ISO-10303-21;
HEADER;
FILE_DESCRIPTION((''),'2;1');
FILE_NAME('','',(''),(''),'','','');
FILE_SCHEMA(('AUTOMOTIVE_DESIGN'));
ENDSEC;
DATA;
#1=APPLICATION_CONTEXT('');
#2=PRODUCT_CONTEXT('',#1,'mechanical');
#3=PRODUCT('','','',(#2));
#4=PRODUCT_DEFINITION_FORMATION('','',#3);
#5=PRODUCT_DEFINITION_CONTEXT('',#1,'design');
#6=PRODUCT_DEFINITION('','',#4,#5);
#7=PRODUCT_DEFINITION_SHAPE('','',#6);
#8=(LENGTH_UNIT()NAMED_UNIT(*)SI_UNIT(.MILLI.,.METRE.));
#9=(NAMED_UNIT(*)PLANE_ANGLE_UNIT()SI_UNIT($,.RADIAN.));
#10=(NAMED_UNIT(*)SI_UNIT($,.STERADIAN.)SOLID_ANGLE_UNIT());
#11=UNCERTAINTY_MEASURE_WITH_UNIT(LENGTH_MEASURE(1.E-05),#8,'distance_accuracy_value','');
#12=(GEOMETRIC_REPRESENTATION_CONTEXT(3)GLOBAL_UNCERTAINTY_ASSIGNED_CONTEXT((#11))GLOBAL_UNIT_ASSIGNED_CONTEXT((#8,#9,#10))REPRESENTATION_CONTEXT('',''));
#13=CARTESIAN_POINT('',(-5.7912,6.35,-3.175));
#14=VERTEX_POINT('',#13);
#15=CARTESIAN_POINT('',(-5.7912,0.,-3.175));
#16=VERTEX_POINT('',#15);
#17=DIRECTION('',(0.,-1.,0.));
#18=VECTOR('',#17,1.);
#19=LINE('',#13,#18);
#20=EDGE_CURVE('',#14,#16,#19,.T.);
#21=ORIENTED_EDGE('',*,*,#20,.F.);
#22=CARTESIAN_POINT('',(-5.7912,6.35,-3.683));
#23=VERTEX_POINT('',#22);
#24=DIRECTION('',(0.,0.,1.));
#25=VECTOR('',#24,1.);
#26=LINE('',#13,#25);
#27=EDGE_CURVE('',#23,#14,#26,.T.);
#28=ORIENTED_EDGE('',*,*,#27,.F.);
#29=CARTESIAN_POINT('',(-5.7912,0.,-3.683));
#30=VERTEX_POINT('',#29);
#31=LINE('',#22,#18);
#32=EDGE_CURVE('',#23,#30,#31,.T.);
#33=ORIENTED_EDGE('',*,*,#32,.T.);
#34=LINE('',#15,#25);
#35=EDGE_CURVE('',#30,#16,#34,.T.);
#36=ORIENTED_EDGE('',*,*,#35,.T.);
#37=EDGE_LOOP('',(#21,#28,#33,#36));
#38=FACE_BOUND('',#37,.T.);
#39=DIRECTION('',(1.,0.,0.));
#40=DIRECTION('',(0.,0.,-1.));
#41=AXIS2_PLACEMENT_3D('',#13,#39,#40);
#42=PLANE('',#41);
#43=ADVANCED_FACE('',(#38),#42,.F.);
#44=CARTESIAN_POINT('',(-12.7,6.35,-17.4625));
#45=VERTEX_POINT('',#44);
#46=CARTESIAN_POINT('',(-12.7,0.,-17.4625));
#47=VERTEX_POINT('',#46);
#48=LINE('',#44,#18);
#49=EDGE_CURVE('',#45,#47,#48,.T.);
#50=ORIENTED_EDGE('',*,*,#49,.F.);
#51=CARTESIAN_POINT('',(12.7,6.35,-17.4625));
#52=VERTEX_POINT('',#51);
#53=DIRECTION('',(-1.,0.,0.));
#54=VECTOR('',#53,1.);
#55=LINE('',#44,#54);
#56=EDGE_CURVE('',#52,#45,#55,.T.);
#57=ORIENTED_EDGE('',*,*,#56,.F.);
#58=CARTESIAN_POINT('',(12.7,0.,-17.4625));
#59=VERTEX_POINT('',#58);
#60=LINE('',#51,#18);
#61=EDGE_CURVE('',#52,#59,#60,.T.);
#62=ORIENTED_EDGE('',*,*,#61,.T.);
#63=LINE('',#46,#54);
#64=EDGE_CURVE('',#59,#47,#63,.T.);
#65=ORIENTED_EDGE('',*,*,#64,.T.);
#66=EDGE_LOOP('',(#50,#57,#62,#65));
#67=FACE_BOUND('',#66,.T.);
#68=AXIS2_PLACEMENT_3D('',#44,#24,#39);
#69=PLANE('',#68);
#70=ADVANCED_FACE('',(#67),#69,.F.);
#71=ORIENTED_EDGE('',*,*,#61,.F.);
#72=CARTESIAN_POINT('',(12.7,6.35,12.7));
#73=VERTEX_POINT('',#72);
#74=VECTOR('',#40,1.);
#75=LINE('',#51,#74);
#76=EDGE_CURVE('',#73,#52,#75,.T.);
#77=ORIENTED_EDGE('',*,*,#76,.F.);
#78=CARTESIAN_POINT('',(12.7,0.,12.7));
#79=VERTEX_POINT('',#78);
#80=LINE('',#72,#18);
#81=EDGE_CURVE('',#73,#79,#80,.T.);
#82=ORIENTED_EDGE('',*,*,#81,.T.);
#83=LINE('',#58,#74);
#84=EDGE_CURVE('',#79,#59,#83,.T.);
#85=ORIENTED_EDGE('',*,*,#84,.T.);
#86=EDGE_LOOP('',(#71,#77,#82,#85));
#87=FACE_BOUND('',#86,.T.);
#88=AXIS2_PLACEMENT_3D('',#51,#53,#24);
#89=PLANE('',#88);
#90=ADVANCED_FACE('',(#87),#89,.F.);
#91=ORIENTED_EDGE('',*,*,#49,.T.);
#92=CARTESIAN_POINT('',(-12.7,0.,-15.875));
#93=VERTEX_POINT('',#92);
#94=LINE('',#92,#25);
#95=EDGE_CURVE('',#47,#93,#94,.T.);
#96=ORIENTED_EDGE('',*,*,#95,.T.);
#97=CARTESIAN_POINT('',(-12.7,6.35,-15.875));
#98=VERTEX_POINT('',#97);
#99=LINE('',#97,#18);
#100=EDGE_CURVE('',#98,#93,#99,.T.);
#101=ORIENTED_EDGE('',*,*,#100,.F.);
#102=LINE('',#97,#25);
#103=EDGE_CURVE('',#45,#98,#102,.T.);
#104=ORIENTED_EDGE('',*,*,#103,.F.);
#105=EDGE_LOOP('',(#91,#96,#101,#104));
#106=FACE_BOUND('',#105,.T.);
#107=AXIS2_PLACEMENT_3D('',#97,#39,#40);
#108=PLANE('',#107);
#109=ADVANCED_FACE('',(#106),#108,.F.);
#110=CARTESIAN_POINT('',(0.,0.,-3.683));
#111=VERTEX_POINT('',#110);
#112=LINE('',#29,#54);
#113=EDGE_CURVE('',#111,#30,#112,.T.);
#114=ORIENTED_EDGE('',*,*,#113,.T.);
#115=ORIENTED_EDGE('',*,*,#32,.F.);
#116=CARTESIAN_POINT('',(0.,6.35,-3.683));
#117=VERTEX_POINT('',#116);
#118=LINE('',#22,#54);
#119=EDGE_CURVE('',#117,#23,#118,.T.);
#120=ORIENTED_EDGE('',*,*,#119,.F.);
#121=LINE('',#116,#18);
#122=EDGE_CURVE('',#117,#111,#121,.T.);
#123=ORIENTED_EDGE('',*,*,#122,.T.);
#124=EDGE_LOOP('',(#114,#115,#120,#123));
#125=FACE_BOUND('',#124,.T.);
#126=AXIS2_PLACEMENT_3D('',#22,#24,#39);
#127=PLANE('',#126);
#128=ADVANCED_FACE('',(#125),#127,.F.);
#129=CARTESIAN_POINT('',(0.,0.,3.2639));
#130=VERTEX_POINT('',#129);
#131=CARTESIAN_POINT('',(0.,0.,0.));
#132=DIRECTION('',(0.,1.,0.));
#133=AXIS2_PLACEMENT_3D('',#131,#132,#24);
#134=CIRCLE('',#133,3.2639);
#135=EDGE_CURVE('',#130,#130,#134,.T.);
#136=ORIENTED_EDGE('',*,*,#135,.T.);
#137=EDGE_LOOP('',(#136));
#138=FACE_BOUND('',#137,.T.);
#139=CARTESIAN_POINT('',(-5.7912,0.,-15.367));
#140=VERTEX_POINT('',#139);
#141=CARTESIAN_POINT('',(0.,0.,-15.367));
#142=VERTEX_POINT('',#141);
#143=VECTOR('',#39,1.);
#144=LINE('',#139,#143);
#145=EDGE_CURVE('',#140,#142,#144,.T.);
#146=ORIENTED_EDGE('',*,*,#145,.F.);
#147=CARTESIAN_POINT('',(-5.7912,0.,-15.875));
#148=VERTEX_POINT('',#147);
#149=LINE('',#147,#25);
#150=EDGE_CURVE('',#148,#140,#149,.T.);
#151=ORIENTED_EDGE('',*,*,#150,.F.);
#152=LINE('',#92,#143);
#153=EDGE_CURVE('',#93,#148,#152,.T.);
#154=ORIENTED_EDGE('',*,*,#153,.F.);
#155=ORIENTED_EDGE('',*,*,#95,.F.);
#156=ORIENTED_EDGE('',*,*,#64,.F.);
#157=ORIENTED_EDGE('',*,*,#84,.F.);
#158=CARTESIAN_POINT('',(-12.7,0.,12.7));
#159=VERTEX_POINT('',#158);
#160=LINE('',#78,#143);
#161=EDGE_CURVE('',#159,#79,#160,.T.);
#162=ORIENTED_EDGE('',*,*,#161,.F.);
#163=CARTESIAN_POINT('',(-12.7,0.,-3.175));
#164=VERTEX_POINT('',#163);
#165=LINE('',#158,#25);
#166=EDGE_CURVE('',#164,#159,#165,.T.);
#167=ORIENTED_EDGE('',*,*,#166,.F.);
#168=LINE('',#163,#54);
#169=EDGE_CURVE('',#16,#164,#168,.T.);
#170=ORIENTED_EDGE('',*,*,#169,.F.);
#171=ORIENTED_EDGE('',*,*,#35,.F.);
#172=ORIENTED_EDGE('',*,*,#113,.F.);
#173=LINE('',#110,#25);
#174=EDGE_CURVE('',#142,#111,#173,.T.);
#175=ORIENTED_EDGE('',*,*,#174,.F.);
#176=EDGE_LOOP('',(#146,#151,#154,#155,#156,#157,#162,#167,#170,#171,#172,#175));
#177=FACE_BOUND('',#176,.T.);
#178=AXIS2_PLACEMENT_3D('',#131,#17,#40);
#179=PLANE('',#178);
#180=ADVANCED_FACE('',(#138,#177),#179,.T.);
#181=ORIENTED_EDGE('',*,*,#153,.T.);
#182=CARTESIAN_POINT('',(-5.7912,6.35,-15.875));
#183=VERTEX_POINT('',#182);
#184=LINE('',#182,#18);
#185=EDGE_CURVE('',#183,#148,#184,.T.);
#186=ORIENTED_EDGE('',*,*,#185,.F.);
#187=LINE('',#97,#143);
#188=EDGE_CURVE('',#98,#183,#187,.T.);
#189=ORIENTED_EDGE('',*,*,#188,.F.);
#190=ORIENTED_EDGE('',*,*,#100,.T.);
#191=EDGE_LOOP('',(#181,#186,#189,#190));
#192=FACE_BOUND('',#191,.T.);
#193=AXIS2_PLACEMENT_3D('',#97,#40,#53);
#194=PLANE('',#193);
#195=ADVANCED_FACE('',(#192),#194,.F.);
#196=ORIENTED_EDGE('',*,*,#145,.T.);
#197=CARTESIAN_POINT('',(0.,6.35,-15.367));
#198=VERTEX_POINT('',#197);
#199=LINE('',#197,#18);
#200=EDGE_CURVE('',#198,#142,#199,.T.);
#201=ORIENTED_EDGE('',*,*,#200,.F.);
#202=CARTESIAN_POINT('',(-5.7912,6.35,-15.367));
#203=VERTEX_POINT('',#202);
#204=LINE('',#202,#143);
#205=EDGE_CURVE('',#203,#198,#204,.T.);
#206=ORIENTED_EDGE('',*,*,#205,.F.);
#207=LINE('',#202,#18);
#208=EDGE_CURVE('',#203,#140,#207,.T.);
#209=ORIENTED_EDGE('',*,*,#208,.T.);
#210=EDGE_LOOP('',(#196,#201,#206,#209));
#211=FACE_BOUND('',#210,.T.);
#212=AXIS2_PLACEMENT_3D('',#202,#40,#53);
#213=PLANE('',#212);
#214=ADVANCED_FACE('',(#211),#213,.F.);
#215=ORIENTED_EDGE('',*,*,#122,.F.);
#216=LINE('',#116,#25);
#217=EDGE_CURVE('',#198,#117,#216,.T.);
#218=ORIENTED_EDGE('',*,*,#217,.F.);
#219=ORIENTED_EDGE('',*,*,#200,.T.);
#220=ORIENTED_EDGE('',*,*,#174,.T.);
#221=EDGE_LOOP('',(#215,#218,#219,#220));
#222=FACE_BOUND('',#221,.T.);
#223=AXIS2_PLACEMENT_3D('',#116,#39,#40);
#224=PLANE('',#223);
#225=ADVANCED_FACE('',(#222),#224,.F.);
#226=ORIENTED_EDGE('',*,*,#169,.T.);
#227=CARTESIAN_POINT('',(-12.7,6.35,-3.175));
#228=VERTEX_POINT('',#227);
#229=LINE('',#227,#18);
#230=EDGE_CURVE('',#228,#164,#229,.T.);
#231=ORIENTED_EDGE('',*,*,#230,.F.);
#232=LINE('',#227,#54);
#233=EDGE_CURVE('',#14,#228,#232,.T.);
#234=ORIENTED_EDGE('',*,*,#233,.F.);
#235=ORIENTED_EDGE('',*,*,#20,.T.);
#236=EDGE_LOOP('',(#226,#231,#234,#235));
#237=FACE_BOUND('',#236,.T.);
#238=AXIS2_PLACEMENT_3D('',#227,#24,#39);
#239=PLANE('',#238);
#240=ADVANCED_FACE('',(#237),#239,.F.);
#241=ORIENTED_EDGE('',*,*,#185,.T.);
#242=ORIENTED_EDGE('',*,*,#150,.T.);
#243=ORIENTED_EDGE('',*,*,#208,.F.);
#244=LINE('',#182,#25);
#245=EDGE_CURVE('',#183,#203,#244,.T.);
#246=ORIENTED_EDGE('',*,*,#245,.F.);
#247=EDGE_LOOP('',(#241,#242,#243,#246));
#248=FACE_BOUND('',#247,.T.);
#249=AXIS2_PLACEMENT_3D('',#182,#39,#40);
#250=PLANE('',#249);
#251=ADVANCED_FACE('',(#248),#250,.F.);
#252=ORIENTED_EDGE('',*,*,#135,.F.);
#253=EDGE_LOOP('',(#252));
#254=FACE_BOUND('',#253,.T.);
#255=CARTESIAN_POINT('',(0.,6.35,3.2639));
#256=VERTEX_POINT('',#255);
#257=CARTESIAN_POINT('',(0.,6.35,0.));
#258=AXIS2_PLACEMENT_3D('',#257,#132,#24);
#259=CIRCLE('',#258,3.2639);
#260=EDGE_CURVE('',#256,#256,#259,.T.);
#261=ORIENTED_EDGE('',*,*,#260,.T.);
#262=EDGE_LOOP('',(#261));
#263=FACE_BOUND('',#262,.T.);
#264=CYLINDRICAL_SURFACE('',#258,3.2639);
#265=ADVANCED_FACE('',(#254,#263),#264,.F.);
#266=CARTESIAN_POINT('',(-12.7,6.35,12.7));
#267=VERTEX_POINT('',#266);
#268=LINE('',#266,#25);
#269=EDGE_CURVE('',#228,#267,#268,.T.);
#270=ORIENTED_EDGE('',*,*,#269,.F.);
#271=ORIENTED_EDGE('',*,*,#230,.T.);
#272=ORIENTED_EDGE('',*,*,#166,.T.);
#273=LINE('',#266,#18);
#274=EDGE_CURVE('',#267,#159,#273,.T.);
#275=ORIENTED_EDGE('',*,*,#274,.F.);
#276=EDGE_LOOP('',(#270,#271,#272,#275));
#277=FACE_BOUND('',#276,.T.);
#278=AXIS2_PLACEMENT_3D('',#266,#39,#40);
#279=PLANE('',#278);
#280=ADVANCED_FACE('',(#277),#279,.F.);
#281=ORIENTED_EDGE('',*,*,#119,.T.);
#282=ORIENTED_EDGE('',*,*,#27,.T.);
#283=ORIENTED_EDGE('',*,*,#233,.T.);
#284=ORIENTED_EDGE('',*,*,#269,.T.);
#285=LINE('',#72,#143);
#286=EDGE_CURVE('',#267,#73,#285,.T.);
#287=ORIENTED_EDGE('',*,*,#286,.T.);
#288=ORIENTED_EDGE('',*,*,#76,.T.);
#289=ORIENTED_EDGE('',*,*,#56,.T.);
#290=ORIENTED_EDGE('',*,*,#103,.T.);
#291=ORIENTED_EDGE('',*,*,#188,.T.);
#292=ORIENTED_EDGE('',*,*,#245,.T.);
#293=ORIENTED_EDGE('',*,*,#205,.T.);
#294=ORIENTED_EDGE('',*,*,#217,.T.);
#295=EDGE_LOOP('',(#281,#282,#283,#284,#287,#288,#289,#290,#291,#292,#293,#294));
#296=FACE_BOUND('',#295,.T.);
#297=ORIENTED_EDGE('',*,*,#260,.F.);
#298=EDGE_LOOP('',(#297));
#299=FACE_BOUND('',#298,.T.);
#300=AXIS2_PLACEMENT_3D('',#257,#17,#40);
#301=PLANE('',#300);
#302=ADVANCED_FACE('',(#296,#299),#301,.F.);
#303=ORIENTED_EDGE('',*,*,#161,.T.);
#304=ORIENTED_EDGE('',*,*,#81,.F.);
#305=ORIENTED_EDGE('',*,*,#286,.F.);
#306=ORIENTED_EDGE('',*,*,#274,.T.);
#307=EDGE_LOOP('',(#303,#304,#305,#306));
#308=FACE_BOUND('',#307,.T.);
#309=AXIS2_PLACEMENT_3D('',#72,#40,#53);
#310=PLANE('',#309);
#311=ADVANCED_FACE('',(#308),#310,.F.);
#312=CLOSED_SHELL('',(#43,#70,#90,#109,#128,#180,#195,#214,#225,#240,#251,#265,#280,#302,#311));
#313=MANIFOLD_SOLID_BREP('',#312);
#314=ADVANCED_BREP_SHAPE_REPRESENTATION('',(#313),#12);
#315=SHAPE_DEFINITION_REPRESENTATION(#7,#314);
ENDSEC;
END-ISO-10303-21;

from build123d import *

# Parameters (mm, degrees)
BOSS_EXTRUDE1_DEPTH         = 6.35
F_1_4_CLEARANCE_HOLE1_D     = 6.5278
F_1_4_CLEARANCE_HOLE1_DEPTH = 6.35
F_1_4_CLEARANCE_HOLE1_TIP   = 1.961148974


with BuildPart() as part:
    # Sketch2 → Boss-Extrude1 (new body)
    with BuildSketch(Plane(origin=(0, 0, 0), x_dir=(1, 0, 0), z_dir=(0, 1, 0))):
        Polygon((-12.7, 15.875), (-12.7, 17.4625), (12.7, 17.4625), (12.7, -12.7), (-12.7, -12.7), (-12.7, 3.175), (-5.7912, 3.175), (-5.7912, 3.683), (0, 3.683), (0, 15.367), (-5.7912, 15.367), (-5.7912, 15.875), align=None)
    extrude(amount=BOSS_EXTRUDE1_DEPTH)

    # 1/4 Clearance Hole1
    with Locations(Plane(origin=(0, 6.35, 0), x_dir=(1, 0, 0), z_dir=(0, 1, 0))):
        with Locations((0, 0)):
            Hole(F_1_4_CLEARANCE_HOLE1_D / 2, depth=F_1_4_CLEARANCE_HOLE1_DEPTH)
            with Locations((0, 0, -(F_1_4_CLEARANCE_HOLE1_DEPTH + F_1_4_CLEARANCE_HOLE1_TIP / 2))):  # 118° drill point
                Cone(0, F_1_4_CLEARANCE_HOLE1_D / 2, F_1_4_CLEARANCE_HOLE1_TIP, mode=Mode.SUBTRACT)


solid = part.part
